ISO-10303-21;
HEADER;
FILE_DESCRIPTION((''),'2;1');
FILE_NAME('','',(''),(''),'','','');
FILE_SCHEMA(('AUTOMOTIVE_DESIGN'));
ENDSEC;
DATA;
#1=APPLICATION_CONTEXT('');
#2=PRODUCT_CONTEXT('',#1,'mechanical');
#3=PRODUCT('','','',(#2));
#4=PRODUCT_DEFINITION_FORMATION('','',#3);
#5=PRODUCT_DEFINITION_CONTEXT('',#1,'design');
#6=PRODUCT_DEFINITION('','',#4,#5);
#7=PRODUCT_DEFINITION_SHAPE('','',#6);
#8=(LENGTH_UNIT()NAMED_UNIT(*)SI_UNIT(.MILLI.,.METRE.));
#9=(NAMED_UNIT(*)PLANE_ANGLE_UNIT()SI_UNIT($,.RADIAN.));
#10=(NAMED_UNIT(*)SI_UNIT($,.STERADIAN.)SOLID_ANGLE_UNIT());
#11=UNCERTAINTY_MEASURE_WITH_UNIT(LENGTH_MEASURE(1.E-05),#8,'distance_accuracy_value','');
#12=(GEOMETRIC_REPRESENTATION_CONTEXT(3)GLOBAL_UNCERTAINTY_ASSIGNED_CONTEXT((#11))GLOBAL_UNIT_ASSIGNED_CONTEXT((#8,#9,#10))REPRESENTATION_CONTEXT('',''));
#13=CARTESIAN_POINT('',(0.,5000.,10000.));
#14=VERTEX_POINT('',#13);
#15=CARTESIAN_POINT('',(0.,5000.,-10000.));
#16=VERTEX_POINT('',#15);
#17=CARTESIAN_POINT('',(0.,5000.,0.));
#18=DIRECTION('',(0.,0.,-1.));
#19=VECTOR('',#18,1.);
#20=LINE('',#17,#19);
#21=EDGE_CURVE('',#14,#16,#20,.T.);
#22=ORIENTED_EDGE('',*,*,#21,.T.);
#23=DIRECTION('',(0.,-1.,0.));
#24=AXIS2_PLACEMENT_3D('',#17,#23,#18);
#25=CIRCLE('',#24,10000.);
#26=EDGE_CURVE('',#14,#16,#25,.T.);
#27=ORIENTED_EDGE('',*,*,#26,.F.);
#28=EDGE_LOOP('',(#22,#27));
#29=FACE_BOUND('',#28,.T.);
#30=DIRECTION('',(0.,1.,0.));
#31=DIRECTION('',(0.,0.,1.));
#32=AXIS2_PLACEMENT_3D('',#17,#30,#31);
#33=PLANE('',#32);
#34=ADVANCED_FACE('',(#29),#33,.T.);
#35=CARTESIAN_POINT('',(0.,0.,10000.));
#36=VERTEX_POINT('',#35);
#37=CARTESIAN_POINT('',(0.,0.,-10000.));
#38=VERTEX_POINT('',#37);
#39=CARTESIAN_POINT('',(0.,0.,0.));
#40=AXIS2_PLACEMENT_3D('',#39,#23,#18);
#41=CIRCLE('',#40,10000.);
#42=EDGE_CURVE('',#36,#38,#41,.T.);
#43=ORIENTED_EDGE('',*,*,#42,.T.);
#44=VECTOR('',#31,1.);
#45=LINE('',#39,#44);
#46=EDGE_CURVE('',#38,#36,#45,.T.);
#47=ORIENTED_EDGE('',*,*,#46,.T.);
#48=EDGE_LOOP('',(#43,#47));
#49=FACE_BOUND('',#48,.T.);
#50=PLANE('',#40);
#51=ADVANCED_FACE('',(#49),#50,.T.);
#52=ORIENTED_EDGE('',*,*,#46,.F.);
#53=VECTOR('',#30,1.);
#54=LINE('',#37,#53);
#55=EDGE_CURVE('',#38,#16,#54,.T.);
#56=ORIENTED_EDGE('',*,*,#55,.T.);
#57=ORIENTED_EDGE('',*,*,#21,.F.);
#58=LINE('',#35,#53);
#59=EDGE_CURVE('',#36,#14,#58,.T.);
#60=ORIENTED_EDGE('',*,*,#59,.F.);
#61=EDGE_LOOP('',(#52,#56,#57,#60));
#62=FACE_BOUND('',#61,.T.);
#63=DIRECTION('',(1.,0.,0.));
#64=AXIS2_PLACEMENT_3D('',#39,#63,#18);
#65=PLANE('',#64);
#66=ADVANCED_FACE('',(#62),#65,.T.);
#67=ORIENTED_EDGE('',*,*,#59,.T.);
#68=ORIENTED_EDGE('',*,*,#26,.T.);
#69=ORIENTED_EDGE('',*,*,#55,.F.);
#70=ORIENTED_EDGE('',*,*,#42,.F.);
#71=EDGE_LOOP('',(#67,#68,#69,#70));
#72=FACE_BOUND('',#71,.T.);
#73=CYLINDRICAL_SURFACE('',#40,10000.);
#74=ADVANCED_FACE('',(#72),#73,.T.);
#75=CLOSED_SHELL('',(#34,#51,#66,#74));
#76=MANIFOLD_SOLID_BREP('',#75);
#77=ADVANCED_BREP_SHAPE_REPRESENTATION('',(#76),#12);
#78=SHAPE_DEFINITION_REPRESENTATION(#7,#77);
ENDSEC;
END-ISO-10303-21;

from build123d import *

# Parameters (mm, degrees)
SKETCH5_W      = 10000
SKETCH5_H      = 5000
REVOLVE1_ANGLE = 180


with BuildPart() as part:
    # Sketch5 → Revolve1 (revolve)
    with BuildSketch(Plane(origin=(0, 0, 0), x_dir=(0, 0, -1), z_dir=(1, 0, 0))):
        with Locations((5000, 2500)):
            Rectangle(SKETCH5_W, SKETCH5_H)
    revolve(axis=Axis((0, 0, 0), (0, 1, 0)), revolution_arc=REVOLVE1_ANGLE)


solid = part.part
